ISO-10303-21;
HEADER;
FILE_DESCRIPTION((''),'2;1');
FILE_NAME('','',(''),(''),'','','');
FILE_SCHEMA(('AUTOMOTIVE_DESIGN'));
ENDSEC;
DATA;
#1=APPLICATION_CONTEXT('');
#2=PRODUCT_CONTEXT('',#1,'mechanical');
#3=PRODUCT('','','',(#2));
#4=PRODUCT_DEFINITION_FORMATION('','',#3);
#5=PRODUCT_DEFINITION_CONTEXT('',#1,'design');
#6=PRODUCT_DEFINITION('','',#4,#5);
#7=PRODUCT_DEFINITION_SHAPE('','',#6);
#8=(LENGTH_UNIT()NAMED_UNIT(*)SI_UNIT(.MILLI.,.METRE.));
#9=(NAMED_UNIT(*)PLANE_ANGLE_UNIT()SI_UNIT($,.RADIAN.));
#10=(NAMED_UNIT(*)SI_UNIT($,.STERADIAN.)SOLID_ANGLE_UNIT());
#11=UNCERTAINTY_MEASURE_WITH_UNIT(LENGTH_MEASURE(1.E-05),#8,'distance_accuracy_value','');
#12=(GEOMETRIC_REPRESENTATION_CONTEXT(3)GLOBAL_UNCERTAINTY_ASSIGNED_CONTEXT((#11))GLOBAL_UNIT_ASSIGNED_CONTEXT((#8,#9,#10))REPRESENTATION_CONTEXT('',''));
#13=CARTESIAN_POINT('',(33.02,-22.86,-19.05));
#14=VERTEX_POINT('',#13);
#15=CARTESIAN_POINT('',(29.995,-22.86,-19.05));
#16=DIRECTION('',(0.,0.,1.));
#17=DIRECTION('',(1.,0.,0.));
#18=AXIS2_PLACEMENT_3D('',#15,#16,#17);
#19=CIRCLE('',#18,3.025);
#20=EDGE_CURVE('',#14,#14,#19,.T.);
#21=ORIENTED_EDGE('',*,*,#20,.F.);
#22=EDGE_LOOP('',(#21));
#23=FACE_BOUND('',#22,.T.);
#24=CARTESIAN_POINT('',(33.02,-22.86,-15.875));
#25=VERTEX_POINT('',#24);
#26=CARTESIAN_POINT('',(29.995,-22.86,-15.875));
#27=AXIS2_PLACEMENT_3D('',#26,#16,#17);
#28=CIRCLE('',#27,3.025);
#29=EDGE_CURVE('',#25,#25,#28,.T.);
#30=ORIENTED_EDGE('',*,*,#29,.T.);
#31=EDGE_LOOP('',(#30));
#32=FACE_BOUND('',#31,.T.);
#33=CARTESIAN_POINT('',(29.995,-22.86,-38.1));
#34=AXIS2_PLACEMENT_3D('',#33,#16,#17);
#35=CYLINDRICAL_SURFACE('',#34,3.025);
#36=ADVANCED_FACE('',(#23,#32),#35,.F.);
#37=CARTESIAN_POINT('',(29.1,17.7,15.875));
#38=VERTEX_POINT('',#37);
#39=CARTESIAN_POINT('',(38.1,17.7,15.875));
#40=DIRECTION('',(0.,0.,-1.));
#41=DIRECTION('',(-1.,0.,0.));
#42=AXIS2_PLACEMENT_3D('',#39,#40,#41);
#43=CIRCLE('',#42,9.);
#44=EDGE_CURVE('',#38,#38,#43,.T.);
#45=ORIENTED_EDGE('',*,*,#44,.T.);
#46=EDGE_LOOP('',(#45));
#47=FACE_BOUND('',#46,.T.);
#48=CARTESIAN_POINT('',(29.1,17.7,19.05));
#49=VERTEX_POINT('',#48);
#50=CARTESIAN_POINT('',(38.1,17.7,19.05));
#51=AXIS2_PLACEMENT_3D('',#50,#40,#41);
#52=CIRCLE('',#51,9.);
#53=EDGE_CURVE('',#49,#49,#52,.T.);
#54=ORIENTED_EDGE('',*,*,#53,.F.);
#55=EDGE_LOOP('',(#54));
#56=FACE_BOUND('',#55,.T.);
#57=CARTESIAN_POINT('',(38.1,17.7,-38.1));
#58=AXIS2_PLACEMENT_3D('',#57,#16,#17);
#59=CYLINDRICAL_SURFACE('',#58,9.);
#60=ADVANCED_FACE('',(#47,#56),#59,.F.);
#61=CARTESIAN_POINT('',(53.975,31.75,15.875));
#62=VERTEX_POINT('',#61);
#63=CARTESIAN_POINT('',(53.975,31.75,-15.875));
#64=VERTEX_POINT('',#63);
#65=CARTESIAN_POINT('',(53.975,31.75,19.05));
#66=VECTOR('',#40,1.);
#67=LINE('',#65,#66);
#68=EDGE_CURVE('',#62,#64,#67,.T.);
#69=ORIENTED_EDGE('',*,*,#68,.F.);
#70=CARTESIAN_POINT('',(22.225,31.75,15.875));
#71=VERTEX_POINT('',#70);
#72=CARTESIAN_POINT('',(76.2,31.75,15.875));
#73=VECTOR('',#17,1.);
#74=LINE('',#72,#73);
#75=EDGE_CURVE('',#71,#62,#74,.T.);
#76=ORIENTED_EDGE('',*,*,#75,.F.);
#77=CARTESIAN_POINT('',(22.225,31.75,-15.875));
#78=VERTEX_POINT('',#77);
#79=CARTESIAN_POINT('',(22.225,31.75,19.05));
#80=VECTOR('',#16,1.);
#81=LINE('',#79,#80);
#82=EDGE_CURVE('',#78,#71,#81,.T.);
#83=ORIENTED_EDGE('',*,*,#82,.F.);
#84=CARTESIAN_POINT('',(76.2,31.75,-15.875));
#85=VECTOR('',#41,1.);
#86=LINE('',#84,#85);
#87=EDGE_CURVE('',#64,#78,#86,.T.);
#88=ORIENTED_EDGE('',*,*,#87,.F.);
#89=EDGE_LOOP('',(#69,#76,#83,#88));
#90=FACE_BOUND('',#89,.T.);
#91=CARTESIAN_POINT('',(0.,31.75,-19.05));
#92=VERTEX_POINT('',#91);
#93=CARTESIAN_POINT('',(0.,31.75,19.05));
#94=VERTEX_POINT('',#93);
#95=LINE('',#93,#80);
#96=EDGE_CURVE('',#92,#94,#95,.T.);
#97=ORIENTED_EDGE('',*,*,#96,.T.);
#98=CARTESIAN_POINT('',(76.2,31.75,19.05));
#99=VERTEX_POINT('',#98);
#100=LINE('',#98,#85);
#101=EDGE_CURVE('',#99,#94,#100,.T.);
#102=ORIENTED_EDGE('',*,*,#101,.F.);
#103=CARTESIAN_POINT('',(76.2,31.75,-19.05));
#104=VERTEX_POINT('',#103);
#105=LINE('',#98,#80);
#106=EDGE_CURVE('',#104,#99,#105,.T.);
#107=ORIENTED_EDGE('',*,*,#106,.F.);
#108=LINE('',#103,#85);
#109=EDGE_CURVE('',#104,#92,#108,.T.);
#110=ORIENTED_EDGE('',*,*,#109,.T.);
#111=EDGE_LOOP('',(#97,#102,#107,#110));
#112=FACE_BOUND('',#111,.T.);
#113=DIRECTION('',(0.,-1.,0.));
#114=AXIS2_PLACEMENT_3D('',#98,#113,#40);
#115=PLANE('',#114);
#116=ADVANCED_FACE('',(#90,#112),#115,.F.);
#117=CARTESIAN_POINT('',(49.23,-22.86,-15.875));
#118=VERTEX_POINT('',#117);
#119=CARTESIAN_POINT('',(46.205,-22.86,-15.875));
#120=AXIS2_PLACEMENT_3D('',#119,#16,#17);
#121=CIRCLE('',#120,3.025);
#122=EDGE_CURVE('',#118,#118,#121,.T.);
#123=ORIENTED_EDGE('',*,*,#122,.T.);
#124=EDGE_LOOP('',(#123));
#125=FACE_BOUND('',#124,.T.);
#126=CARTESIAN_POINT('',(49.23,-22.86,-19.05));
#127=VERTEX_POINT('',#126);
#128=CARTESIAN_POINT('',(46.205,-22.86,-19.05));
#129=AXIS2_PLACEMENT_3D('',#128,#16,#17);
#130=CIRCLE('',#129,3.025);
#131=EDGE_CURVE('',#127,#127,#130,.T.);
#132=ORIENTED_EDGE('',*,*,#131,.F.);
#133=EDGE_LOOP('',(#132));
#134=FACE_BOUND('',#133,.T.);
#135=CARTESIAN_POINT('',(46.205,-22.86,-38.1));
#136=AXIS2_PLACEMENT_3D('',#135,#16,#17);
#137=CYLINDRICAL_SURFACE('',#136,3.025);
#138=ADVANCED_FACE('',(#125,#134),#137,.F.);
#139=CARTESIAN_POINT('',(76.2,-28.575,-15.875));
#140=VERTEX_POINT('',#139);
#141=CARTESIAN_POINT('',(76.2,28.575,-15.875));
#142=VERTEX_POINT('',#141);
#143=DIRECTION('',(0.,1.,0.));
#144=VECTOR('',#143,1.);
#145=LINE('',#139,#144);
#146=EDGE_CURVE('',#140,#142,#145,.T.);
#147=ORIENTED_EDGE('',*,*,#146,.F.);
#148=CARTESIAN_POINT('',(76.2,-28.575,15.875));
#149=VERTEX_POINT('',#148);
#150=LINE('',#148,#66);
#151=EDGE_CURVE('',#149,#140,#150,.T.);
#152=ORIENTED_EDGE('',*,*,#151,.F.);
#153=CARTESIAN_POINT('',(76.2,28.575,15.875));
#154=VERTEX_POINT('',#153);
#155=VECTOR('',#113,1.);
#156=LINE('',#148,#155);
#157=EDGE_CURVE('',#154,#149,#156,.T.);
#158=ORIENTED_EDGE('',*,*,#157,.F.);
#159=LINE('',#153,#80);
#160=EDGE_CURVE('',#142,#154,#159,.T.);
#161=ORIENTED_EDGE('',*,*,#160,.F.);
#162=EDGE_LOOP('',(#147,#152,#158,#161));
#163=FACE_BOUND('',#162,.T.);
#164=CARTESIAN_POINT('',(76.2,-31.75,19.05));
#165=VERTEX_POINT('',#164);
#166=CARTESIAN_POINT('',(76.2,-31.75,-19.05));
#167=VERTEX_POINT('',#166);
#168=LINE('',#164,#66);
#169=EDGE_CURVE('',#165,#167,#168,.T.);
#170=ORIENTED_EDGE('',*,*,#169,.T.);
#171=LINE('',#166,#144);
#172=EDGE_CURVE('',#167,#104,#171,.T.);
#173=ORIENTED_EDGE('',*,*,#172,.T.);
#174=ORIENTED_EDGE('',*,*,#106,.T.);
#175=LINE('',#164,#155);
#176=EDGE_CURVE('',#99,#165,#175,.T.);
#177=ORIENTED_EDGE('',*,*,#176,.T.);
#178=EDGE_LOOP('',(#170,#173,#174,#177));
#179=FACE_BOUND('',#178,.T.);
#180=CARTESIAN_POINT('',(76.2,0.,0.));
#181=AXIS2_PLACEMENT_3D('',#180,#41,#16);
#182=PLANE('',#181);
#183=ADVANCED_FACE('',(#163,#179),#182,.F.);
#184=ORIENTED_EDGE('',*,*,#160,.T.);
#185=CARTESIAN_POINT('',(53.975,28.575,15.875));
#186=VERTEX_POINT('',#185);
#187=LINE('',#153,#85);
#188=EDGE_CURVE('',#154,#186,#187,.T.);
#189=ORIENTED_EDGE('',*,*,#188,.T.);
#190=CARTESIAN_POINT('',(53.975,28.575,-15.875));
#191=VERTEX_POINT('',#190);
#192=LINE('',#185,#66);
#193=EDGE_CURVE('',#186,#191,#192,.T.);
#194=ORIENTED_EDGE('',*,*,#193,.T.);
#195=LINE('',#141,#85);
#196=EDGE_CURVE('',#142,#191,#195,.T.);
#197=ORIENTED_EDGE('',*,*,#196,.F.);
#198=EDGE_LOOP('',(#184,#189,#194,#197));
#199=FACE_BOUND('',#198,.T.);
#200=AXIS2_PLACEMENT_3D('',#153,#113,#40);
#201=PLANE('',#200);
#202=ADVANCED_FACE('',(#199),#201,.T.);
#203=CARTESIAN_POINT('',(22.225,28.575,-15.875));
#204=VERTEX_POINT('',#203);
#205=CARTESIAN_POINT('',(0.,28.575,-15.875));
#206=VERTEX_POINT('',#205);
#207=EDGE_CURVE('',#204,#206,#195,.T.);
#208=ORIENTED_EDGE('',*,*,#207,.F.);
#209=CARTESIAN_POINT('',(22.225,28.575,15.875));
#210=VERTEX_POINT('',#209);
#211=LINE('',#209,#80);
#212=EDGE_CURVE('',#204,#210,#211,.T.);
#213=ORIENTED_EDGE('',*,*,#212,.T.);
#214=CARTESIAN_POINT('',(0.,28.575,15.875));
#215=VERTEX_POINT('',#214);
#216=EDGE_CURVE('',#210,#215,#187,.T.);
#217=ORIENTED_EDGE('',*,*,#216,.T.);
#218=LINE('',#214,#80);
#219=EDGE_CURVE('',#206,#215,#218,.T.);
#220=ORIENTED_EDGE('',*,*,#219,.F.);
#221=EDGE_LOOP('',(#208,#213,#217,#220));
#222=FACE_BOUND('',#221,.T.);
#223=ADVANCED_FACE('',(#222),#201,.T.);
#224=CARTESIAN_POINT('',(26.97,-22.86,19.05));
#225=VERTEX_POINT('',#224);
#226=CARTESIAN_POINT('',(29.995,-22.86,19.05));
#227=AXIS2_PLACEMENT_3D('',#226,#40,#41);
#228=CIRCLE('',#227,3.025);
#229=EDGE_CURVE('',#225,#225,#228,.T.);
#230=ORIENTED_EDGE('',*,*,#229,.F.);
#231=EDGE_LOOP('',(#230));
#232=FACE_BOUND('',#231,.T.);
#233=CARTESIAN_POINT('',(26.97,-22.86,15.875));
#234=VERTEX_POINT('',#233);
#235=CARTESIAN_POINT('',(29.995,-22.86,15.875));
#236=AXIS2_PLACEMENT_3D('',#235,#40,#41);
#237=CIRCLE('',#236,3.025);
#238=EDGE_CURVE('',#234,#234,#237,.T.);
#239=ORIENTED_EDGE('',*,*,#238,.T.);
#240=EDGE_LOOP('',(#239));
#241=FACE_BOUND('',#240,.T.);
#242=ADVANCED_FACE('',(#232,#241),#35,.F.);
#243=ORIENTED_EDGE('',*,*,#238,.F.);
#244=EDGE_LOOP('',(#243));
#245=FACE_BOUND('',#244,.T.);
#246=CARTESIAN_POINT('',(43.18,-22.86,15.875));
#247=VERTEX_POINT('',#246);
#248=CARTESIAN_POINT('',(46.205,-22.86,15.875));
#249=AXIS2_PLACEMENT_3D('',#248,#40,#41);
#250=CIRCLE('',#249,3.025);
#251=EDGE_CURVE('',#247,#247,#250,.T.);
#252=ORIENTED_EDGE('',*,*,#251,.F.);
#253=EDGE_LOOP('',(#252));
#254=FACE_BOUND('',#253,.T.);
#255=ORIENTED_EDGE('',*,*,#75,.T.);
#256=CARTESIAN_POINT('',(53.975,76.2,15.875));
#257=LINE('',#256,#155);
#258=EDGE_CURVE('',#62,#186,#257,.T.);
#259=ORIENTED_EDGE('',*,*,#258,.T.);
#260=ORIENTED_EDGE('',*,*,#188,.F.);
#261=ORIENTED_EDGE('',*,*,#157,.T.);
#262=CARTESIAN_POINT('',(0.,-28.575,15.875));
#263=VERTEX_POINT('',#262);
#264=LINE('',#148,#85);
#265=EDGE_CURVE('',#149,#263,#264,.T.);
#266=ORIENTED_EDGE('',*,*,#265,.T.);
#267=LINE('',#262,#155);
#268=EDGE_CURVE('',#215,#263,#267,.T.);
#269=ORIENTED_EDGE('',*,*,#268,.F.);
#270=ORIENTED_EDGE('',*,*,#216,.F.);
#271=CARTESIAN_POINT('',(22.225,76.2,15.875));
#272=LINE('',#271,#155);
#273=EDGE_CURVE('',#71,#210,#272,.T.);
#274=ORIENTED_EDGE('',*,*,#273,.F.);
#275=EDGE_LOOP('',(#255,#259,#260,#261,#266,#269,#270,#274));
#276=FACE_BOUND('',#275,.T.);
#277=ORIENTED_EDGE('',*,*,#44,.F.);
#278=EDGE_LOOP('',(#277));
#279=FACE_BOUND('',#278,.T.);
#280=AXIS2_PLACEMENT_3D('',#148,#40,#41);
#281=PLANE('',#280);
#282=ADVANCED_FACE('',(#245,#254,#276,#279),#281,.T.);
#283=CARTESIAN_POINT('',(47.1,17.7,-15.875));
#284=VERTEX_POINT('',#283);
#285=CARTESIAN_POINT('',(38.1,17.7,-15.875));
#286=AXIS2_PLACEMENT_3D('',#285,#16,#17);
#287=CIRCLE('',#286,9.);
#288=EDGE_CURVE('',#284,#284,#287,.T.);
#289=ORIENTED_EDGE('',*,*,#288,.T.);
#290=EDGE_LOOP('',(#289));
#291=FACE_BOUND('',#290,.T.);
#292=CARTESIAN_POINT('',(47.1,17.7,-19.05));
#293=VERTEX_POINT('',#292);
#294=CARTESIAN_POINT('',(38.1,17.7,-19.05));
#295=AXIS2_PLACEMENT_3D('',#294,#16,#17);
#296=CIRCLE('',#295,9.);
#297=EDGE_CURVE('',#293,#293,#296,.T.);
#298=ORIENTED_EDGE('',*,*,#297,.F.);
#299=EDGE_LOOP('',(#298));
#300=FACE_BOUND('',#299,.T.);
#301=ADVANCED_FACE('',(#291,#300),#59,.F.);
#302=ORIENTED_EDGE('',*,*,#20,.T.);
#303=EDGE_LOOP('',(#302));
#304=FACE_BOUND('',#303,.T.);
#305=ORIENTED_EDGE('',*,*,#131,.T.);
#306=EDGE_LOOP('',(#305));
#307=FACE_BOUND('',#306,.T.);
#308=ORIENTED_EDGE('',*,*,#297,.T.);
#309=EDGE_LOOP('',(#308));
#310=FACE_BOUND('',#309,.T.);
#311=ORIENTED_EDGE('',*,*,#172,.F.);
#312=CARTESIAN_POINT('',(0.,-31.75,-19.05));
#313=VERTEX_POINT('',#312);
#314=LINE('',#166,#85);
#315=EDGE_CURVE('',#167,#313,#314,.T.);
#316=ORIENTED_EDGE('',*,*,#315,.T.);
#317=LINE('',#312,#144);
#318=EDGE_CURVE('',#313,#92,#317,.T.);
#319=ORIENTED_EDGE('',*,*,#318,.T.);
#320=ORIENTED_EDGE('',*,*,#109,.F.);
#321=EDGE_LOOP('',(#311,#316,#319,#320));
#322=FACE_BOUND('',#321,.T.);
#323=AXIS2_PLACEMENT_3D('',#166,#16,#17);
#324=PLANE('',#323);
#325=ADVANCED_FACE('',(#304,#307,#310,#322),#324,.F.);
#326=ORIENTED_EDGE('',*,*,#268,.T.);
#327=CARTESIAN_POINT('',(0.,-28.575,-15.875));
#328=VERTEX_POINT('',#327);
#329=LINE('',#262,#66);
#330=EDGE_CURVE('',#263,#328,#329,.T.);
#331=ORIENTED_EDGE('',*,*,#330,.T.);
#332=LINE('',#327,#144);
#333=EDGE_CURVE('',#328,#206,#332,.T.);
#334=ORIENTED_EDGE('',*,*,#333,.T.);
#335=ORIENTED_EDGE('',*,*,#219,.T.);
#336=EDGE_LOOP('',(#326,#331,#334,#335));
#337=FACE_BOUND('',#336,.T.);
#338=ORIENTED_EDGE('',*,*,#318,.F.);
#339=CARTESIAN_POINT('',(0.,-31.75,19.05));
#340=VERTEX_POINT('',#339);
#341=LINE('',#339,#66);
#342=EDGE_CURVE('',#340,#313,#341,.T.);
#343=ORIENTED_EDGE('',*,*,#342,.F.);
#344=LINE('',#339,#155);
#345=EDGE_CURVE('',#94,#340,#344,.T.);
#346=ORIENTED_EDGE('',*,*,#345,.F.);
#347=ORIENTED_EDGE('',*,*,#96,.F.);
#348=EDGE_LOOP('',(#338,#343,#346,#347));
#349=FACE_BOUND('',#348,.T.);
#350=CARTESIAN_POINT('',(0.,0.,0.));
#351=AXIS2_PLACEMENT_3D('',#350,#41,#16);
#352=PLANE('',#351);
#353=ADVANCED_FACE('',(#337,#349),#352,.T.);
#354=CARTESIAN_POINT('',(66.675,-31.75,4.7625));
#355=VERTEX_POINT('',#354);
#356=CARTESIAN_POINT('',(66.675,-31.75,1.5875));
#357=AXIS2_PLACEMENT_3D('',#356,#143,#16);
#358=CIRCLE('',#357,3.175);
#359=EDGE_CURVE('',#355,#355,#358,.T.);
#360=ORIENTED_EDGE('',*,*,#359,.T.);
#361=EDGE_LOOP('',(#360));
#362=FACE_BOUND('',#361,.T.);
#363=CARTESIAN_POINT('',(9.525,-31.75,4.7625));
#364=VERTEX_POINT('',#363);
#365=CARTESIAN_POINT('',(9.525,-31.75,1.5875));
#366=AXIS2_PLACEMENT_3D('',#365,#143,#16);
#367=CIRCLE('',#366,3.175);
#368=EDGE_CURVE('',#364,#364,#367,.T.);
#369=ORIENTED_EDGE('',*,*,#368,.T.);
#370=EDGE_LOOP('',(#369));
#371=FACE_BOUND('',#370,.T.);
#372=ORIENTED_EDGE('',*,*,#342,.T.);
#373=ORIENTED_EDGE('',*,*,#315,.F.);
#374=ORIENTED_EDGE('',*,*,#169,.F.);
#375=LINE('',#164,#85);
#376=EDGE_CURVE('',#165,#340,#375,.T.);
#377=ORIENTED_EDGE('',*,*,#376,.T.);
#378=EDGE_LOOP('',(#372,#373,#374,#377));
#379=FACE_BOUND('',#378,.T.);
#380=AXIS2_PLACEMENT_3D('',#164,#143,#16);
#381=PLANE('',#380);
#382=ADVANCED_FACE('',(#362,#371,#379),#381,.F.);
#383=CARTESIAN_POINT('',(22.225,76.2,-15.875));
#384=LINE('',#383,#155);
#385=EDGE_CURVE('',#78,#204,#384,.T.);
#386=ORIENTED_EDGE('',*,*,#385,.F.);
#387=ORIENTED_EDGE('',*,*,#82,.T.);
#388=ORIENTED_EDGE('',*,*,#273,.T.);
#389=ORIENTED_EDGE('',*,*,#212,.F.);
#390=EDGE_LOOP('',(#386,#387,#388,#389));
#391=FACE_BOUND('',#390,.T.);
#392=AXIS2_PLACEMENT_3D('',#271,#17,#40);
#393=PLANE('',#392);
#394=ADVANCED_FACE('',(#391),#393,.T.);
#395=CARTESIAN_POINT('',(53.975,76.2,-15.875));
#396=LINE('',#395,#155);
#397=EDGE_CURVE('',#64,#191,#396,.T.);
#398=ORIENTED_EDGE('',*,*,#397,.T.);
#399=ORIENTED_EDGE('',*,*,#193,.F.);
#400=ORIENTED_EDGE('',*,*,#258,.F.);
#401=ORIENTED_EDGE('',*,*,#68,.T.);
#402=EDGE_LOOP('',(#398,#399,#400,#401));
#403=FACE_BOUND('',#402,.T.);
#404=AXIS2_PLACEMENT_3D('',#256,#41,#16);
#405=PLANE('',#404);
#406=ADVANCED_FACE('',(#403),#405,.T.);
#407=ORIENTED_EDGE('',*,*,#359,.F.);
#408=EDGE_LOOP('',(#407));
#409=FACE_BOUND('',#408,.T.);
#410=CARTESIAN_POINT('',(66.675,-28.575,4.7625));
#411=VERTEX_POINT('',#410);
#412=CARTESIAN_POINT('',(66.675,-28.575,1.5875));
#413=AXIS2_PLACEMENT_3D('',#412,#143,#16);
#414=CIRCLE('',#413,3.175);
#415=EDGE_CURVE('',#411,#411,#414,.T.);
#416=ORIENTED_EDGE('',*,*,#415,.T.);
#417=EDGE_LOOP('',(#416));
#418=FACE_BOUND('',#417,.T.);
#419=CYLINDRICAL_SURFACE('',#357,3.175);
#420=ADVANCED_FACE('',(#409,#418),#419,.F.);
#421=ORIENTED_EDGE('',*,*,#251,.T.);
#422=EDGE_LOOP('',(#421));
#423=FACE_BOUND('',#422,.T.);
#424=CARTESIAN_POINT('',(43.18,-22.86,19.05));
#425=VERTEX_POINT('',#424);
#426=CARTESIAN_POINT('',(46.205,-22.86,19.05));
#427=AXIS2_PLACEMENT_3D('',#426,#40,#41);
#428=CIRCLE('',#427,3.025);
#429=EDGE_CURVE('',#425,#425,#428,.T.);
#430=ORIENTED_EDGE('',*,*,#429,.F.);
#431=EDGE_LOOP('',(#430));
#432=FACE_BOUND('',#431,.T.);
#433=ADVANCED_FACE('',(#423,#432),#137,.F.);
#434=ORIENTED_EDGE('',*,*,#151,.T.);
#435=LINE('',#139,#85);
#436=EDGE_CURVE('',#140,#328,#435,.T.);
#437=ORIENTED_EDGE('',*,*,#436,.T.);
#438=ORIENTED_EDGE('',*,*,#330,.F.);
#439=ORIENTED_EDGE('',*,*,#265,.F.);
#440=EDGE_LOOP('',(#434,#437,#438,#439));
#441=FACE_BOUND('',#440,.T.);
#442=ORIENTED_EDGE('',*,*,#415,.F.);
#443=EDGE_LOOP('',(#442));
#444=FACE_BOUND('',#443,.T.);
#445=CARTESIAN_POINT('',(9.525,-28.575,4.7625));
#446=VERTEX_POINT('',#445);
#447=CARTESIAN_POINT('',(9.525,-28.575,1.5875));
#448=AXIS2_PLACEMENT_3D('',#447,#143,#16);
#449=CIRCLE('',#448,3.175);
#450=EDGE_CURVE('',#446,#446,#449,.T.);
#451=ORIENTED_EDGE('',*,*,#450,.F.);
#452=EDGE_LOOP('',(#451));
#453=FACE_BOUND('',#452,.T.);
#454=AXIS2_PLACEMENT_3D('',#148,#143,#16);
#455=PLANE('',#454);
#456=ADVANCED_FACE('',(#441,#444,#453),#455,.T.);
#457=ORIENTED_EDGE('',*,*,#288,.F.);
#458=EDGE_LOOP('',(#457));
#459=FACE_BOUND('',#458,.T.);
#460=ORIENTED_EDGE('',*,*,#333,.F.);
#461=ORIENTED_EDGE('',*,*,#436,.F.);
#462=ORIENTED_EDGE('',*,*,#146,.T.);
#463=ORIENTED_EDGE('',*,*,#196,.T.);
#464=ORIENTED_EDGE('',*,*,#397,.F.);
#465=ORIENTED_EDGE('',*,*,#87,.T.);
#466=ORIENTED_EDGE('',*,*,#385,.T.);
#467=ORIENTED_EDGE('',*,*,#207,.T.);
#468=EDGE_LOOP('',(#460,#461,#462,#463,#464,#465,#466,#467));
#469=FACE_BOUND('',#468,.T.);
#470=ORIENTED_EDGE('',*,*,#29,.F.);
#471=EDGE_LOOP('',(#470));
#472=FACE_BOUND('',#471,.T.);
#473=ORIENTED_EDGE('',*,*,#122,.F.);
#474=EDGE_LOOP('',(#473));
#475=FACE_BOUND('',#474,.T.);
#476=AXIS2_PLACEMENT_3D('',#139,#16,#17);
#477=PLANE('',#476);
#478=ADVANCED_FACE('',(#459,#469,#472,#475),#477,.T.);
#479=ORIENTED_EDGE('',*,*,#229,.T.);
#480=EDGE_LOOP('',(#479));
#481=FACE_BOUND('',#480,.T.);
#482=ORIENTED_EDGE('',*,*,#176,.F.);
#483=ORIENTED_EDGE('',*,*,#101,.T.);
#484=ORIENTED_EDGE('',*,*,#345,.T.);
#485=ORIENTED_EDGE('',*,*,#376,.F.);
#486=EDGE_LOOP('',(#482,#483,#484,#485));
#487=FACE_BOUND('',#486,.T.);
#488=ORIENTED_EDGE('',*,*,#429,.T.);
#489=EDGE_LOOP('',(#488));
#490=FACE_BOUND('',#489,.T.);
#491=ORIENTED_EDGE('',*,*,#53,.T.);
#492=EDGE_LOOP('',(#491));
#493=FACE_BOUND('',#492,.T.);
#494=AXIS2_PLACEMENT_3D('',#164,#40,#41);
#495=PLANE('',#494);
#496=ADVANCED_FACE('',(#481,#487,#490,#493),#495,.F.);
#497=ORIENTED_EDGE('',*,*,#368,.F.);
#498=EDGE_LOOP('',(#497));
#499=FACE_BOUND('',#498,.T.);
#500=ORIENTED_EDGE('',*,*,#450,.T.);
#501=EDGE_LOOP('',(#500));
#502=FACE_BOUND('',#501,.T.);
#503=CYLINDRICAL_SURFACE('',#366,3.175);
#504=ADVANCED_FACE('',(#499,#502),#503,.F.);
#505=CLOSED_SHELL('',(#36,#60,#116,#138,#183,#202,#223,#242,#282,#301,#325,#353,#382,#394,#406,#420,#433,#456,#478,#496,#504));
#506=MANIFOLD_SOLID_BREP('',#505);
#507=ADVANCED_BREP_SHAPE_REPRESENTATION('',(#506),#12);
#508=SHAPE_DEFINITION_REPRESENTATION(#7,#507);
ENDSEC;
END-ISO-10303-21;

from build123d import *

# Parameters (mm, degrees)
SKETCH1_W           = 38.1
SKETCH1_H           = 63.5
SKETCH1_W_2         = 31.75
SKETCH1_H_2         = 57.15
BOSS_EXTRUDE1_DEPTH = 76.2
SKETCH2_R           = 9
SKETCH2_R_2         = 3.025
CUT_EXTRUDE1_DEPTH  = 38.1
SKETCH3_W           = 31.75
SKETCH3_H           = 31.75
CUT_EXTRUDE2_DEPTH  = 76.2
SKETCH4_R           = 3.175
CUT_EXTRUDE3_DEPTH  = 32.75


with BuildPart() as part:
    # Sketch1 → Boss-Extrude1 (new body)
    with BuildSketch(Plane(origin=(0, 0, 0), x_dir=(0, 0, -1), z_dir=(1, 0, 0))):
        Rectangle(SKETCH1_W, SKETCH1_H)
        Rectangle(SKETCH1_W_2, SKETCH1_H_2, mode=Mode.SUBTRACT)
    extrude(amount=BOSS_EXTRUDE1_DEPTH)

    # Sketch2 → Cut-Extrude1 (cut, symmetric)
    with BuildSketch(Plane.XY):
        with Locations((38.1, 17.7)):
            Circle(SKETCH2_R)
        with Locations((46.205, -22.86)):
            Circle(SKETCH2_R_2)
        with Locations((29.995, -22.86)):
            Circle(SKETCH2_R_2)
    extrude(amount=CUT_EXTRUDE1_DEPTH, both=True, mode=Mode.SUBTRACT)

    # Sketch3 → Cut-Extrude2 (cut)
    with BuildSketch(Plane(origin=(0, 0, 0), x_dir=(1, 0, 0), z_dir=(0, 1, 0))):
        with Locations((38.1, 0)):
            Rectangle(SKETCH3_W, SKETCH3_H)
    extrude(amount=CUT_EXTRUDE2_DEPTH, mode=Mode.SUBTRACT)

    # Sketch4 → Cut-Extrude3 (cut, through all)
    with BuildSketch(Plane(origin=(0, 0, 0), x_dir=(1, 0, 0), z_dir=(0, 1, 0))):
        with Locations((9.525, -1.5875)):
            Circle(SKETCH4_R)
        with Locations((66.675, -1.5875)):
            Circle(SKETCH4_R)
    extrude(amount=-CUT_EXTRUDE3_DEPTH, mode=Mode.SUBTRACT)


solid = part.part
